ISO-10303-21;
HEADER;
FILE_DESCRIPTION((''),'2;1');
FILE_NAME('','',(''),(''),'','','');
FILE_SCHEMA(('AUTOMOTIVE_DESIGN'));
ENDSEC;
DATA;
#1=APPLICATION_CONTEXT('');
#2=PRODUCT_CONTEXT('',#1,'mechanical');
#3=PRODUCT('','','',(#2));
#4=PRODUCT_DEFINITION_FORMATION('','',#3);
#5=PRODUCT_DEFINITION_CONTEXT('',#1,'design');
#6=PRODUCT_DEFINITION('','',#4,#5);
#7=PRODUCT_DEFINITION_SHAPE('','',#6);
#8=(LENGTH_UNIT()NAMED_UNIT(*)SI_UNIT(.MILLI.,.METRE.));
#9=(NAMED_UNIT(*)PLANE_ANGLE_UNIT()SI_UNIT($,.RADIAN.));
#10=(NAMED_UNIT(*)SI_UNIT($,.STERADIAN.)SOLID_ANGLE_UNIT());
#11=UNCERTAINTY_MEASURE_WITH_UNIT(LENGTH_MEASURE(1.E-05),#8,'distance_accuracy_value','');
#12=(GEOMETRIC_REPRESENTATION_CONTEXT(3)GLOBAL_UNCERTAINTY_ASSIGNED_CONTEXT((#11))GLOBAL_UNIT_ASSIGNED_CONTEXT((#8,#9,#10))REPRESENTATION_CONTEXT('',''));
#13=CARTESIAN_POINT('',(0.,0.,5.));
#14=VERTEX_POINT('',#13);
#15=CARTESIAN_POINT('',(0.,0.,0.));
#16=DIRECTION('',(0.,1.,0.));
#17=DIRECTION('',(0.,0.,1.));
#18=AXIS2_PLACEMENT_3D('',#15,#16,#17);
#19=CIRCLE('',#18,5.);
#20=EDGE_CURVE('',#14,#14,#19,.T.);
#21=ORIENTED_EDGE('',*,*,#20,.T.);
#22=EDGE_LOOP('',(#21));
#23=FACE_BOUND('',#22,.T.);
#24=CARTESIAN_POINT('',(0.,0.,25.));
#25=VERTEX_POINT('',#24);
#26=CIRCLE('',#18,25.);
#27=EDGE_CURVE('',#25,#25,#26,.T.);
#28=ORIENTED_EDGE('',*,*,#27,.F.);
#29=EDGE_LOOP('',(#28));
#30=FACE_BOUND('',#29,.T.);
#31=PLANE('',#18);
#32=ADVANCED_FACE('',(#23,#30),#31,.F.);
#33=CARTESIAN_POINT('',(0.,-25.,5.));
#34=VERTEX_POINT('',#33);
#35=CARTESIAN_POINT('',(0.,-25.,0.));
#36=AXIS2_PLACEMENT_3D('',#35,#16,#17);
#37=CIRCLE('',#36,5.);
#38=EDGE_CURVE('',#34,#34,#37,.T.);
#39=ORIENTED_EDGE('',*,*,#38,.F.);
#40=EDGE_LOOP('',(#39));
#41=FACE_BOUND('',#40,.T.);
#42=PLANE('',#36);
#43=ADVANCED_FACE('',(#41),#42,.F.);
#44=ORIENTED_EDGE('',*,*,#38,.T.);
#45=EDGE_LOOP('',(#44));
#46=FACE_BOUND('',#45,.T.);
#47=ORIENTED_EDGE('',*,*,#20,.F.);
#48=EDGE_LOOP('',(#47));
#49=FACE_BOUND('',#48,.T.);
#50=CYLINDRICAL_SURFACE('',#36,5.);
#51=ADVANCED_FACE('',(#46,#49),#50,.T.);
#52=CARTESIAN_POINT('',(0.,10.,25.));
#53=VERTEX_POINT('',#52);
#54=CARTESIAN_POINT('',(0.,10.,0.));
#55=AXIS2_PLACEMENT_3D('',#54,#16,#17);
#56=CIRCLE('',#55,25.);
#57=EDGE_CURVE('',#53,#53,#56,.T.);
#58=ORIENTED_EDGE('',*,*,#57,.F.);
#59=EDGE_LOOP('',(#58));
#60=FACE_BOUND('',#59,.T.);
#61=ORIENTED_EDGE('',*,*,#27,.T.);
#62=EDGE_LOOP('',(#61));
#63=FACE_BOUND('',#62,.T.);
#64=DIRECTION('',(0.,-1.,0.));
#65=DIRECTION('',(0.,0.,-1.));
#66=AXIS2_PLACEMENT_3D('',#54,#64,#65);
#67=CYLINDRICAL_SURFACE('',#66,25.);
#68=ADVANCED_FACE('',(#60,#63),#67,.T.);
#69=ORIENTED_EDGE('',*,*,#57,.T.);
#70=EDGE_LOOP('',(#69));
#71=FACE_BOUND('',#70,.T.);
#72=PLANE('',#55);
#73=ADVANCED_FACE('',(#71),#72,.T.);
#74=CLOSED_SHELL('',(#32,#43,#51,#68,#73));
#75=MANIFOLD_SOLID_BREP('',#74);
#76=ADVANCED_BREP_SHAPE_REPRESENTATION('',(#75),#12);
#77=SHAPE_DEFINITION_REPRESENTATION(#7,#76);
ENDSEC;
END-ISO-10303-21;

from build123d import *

# Parameters (mm, degrees)
SKETCH1_R           = 25
BOSS_EXTRUDE1_DEPTH = 10
SKETCH2_R           = 5
BOSS_EXTRUDE2_DEPTH = 25


with BuildPart() as part:
    # Sketch1 → Boss-Extrude1 (new body)
    with BuildSketch(Plane(origin=(0, 0, 0), x_dir=(1, 0, 0), z_dir=(0, 1, 0))):
        Circle(SKETCH1_R)
    extrude(amount=BOSS_EXTRUDE1_DEPTH)

    # Sketch2 → Boss-Extrude2 (add)
    with BuildSketch(Plane(origin=(0, 0, 0), x_dir=(1, 0, 0), z_dir=(0, 1, 0))):
        Circle(SKETCH2_R)
    extrude(amount=-BOSS_EXTRUDE2_DEPTH)


solid = part.part
